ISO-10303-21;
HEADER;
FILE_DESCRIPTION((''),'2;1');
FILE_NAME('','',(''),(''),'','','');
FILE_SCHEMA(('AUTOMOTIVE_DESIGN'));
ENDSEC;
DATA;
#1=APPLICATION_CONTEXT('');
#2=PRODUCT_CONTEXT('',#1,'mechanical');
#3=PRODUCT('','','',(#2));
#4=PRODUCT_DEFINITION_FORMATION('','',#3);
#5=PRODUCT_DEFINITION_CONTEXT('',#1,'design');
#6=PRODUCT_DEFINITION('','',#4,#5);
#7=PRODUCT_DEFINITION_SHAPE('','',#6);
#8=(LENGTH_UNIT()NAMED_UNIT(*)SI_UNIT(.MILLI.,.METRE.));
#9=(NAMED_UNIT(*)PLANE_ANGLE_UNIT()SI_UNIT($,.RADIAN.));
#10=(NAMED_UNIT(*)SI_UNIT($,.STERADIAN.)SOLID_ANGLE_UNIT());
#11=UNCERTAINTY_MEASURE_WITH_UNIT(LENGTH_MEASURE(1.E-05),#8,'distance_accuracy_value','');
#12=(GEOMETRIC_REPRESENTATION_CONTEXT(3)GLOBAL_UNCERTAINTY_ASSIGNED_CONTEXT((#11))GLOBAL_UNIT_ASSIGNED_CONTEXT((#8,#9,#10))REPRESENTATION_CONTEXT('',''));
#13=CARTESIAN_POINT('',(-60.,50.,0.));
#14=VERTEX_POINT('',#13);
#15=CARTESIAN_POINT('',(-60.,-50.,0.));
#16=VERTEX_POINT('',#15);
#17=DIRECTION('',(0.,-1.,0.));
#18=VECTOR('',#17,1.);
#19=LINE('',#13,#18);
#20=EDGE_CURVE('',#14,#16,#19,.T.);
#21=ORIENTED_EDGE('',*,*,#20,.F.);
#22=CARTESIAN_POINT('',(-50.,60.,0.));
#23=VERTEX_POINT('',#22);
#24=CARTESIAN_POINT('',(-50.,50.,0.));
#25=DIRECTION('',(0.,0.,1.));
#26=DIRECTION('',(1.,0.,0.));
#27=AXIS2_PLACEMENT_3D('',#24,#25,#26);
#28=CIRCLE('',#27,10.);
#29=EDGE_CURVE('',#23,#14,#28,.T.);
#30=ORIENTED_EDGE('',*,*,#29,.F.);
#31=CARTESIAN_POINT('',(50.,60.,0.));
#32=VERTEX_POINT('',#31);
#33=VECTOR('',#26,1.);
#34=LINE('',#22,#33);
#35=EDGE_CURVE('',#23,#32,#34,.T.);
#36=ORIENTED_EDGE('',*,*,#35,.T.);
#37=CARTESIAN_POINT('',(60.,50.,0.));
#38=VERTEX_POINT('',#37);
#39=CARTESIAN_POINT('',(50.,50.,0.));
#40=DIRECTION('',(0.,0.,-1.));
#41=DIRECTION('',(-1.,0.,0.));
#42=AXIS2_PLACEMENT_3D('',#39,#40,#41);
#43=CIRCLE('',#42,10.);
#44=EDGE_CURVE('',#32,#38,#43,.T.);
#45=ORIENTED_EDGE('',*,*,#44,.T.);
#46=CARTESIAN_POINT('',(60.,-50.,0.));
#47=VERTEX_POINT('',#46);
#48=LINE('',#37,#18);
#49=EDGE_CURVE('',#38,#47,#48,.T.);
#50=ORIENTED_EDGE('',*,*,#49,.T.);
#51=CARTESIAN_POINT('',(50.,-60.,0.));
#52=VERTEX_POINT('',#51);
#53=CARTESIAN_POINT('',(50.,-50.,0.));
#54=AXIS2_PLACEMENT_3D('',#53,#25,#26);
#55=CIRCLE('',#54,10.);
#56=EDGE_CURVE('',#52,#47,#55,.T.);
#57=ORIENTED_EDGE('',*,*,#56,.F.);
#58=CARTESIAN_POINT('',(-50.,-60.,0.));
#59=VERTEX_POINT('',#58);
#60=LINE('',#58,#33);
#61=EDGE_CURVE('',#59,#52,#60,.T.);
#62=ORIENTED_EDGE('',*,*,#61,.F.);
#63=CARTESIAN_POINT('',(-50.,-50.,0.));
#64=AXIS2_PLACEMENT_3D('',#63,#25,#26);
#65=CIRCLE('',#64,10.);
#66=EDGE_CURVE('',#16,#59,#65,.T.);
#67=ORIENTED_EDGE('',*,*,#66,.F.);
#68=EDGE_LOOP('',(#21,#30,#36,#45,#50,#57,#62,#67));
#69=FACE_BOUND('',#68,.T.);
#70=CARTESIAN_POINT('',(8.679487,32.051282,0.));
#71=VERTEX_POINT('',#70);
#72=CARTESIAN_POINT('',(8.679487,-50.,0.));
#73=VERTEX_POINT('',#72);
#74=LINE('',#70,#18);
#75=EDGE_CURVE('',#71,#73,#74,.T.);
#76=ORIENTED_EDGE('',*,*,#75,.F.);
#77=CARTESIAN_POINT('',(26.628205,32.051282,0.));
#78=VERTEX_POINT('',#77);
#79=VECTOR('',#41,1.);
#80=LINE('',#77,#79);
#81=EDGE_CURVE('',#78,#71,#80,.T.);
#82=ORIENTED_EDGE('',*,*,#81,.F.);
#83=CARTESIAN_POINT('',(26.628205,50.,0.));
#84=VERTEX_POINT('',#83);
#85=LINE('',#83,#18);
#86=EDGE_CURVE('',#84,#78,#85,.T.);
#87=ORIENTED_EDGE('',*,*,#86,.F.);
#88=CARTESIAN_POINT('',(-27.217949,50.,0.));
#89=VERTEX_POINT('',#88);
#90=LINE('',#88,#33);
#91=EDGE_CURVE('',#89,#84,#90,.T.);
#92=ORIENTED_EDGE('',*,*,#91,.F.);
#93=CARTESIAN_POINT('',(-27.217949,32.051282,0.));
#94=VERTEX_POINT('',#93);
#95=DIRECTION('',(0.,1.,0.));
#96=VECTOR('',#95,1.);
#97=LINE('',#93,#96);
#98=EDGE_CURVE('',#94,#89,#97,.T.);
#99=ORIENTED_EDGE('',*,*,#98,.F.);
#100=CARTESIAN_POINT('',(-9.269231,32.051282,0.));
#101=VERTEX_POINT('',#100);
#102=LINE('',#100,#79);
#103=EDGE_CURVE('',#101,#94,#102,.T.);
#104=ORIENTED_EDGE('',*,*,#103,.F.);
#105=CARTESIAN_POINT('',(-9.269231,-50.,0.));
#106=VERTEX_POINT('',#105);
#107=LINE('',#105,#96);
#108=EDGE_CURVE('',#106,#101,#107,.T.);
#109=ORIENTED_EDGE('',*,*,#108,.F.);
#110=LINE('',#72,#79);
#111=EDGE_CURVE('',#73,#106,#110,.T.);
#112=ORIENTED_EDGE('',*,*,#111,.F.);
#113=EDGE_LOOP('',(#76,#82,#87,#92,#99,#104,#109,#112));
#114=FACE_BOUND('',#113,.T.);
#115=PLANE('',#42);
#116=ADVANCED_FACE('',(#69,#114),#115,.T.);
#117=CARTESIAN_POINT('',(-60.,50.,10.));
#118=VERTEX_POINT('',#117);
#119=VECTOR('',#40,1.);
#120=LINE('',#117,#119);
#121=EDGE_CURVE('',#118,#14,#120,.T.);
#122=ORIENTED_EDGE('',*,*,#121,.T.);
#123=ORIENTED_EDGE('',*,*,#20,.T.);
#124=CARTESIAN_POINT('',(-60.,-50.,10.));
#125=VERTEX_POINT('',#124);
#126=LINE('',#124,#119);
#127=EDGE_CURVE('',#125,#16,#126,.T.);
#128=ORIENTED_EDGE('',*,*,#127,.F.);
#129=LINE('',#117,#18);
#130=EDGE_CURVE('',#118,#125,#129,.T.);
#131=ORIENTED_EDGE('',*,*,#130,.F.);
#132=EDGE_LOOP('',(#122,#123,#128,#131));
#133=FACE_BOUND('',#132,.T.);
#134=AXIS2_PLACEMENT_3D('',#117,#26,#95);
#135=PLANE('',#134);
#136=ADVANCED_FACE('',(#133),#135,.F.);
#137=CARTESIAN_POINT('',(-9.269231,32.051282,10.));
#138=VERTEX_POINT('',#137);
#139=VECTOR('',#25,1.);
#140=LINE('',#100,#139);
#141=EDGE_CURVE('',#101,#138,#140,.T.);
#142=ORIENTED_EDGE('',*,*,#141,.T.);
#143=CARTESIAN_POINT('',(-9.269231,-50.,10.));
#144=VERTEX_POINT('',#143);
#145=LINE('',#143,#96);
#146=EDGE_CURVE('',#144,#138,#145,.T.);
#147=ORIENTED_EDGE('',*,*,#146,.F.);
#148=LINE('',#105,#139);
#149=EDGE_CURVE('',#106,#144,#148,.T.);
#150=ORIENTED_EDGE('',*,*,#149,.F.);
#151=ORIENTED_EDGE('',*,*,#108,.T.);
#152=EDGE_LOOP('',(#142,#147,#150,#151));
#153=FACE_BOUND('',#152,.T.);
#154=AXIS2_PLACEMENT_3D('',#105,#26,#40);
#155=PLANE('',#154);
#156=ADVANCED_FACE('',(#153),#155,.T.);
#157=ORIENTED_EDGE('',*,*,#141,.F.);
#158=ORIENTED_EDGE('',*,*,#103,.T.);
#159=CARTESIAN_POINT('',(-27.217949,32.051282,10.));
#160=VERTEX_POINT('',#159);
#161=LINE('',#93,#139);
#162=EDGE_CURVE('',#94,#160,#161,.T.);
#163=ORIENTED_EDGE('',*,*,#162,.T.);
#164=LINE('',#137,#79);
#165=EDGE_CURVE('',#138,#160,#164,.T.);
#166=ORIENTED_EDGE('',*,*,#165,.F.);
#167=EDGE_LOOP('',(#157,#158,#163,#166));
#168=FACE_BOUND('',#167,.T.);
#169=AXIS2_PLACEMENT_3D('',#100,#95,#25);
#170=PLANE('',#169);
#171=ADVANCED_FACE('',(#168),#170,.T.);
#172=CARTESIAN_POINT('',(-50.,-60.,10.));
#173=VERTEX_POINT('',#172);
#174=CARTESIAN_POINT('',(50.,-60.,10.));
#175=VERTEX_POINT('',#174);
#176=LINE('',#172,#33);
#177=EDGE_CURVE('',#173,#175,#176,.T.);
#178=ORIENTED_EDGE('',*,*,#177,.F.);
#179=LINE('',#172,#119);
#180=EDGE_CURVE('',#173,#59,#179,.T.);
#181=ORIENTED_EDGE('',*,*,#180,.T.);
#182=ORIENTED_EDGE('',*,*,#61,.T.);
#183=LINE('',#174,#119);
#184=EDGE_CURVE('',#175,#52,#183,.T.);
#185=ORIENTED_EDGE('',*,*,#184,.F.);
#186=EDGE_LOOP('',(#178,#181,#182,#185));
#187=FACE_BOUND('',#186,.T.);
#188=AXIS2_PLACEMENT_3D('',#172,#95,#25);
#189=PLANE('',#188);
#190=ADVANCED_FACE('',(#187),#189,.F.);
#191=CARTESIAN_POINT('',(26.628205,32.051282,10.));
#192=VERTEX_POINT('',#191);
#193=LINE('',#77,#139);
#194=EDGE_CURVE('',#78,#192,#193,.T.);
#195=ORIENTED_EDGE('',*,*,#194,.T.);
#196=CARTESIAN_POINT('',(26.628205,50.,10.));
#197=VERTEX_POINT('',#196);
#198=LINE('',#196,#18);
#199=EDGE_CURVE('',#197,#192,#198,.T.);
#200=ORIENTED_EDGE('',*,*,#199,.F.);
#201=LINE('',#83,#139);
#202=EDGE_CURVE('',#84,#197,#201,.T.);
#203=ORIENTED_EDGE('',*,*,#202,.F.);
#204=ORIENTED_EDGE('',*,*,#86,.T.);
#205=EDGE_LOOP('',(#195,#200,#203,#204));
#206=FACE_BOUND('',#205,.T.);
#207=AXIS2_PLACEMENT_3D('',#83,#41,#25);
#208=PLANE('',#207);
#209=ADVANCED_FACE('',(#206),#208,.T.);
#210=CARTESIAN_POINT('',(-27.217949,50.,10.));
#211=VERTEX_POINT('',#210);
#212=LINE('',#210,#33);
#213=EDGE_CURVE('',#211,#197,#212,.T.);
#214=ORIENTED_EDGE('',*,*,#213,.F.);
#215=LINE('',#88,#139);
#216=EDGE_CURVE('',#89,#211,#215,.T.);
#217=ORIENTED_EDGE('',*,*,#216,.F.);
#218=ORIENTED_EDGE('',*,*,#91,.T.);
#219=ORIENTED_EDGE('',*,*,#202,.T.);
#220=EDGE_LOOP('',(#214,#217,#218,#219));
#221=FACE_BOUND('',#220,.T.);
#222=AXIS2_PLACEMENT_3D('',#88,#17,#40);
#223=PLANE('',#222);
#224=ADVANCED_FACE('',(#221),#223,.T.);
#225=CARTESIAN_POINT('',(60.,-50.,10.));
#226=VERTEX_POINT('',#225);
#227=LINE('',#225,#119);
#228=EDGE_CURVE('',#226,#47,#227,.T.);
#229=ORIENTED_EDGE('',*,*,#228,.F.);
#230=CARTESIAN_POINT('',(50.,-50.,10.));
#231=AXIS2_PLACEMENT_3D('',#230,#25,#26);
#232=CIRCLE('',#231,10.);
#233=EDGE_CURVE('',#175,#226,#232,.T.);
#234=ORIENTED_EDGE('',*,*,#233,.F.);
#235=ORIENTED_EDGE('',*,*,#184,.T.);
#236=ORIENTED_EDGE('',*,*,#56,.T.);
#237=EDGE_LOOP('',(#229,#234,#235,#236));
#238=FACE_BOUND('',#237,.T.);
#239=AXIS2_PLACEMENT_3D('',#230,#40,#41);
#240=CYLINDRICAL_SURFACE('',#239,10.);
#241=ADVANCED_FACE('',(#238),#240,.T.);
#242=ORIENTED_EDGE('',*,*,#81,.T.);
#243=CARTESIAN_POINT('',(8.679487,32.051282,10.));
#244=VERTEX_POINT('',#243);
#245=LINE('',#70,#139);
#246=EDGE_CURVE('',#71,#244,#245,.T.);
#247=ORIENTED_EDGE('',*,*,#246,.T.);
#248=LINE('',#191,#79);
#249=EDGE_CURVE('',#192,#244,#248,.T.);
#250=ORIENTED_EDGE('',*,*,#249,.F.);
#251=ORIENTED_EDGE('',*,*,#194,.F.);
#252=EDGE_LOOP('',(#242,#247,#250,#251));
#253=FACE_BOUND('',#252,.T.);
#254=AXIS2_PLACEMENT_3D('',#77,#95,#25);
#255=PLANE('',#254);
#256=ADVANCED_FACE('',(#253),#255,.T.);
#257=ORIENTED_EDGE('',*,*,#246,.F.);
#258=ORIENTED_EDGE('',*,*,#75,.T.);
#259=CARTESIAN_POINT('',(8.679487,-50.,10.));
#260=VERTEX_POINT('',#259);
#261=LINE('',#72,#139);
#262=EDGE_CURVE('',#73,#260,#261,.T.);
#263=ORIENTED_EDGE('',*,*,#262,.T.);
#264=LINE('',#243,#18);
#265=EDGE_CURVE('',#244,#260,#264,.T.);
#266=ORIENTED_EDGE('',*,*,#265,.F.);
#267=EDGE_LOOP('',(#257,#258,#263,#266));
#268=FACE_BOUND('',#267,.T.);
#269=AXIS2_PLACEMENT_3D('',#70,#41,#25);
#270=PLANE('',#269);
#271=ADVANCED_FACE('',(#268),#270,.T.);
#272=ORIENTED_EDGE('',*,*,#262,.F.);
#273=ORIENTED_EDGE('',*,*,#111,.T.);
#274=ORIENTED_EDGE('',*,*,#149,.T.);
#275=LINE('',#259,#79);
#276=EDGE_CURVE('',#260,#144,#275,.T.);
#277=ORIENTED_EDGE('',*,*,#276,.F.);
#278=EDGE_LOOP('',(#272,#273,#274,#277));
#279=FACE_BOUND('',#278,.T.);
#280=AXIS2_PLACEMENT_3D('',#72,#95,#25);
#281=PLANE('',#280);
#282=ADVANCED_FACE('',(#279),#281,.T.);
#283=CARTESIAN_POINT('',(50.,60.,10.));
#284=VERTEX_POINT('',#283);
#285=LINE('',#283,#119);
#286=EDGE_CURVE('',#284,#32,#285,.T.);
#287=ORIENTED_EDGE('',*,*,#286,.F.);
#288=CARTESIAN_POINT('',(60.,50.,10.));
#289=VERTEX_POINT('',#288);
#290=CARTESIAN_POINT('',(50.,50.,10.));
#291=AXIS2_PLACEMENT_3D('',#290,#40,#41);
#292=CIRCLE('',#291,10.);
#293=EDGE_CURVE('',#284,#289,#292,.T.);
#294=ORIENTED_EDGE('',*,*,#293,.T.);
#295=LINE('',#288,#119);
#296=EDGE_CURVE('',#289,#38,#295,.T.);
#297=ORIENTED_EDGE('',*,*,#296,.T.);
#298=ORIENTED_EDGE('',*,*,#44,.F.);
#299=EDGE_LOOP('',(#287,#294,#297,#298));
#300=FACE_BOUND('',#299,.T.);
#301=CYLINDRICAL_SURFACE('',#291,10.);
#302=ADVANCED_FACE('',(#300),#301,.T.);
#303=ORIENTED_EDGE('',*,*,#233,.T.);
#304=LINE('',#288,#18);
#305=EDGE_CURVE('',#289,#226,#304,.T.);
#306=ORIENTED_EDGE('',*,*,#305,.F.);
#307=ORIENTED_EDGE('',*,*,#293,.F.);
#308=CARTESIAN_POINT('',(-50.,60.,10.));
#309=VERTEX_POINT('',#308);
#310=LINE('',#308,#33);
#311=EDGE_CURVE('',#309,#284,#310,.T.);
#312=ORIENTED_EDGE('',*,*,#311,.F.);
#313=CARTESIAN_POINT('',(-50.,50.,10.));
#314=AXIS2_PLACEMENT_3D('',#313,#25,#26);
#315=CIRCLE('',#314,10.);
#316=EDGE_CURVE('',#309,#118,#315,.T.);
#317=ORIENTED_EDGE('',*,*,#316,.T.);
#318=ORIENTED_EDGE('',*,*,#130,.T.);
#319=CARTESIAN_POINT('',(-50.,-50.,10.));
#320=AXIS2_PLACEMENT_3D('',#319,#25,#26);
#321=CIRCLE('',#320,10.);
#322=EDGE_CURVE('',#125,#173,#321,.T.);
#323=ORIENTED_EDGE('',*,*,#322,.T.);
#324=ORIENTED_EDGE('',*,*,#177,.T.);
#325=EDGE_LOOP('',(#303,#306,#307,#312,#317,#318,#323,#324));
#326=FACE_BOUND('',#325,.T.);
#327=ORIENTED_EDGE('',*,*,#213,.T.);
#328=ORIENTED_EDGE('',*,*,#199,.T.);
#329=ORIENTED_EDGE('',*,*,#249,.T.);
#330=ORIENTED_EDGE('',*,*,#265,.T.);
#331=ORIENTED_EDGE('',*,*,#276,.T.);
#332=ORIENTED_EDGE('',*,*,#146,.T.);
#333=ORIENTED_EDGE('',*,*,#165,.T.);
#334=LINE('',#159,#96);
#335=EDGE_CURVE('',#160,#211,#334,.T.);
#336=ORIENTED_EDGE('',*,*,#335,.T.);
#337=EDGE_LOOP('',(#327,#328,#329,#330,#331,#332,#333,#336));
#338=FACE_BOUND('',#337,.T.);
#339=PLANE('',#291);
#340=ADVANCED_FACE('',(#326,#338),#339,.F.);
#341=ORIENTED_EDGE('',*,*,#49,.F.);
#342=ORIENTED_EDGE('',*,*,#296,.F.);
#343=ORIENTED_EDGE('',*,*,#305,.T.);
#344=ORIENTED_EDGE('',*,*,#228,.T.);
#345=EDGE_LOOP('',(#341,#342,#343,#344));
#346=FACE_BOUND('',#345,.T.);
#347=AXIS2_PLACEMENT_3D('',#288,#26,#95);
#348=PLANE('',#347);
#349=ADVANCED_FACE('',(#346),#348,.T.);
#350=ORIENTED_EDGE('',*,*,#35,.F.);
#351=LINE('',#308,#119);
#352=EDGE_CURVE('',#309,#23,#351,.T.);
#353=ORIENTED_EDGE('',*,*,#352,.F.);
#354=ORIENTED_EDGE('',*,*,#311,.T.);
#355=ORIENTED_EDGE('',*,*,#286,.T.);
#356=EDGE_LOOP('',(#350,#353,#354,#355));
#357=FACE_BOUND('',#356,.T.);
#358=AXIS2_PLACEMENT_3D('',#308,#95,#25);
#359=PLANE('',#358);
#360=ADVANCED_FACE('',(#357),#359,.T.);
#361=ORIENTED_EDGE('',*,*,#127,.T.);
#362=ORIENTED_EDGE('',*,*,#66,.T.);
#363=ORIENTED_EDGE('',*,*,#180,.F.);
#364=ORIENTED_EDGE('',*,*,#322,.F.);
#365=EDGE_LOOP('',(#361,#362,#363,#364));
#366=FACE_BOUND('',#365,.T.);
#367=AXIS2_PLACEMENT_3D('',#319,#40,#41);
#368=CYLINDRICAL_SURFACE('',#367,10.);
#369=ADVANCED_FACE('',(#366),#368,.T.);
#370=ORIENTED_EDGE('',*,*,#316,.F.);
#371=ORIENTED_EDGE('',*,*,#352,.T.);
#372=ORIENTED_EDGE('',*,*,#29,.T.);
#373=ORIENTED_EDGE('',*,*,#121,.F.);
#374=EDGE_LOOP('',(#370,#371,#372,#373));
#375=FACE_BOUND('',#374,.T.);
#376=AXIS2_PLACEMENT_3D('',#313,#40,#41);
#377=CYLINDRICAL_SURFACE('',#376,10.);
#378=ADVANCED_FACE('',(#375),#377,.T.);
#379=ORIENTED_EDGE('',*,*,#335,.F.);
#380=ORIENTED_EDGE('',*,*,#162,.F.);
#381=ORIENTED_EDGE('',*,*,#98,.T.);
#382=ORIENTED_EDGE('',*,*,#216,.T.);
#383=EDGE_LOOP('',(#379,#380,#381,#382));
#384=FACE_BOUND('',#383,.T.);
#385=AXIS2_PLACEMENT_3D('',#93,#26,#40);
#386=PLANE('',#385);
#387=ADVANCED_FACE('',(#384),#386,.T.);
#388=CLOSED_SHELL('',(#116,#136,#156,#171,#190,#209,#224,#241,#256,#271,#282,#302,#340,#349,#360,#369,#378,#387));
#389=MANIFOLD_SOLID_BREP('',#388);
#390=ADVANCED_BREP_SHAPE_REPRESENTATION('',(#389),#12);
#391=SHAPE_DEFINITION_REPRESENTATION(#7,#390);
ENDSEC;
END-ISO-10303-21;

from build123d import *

# Parameters (mm, degrees)
BOSS_EXTRUDE1_DEPTH = 10
CUT_EXTRUDE33_DEPTH = 10


with BuildPart() as part:
    # Sketch1 → Boss-Extrude1 (new body)
    with BuildSketch(Plane.XY):
        with BuildLine():
            Line((-50, 60), (50, 60))
            ThreePointArc((50, 60), (57.071067812, 57.071067812), (60, 50))
            Line((60, 50), (60, -50))
            ThreePointArc((60, -50), (57.071067812, -57.071067812), (50, -60))
            Line((50, -60), (-50, -60))
            ThreePointArc((-50, -60), (-57.071067812, -57.071067812), (-60, -50))
            Line((-60, -50), (-60, 50))
            ThreePointArc((-60, 50), (-57.071067812, 57.071067812), (-50, 60))
        make_face()
    extrude(amount=BOSS_EXTRUDE1_DEPTH)

    # Sketch2 → Cut-Extrude33 (cut)
    with BuildSketch(Plane.XY.offset(10)):
        Polygon((-27.217948718, 50), (26.628205128, 50), (26.628205128, 32.051282051), (8.679487179, 32.051282051), (8.679487179, -50), (-9.269230769, -50), (-9.269230769, 32.051282051), (-27.217948718, 32.051282051), align=None)
    extrude(amount=-CUT_EXTRUDE33_DEPTH, mode=Mode.SUBTRACT)


solid = part.part
